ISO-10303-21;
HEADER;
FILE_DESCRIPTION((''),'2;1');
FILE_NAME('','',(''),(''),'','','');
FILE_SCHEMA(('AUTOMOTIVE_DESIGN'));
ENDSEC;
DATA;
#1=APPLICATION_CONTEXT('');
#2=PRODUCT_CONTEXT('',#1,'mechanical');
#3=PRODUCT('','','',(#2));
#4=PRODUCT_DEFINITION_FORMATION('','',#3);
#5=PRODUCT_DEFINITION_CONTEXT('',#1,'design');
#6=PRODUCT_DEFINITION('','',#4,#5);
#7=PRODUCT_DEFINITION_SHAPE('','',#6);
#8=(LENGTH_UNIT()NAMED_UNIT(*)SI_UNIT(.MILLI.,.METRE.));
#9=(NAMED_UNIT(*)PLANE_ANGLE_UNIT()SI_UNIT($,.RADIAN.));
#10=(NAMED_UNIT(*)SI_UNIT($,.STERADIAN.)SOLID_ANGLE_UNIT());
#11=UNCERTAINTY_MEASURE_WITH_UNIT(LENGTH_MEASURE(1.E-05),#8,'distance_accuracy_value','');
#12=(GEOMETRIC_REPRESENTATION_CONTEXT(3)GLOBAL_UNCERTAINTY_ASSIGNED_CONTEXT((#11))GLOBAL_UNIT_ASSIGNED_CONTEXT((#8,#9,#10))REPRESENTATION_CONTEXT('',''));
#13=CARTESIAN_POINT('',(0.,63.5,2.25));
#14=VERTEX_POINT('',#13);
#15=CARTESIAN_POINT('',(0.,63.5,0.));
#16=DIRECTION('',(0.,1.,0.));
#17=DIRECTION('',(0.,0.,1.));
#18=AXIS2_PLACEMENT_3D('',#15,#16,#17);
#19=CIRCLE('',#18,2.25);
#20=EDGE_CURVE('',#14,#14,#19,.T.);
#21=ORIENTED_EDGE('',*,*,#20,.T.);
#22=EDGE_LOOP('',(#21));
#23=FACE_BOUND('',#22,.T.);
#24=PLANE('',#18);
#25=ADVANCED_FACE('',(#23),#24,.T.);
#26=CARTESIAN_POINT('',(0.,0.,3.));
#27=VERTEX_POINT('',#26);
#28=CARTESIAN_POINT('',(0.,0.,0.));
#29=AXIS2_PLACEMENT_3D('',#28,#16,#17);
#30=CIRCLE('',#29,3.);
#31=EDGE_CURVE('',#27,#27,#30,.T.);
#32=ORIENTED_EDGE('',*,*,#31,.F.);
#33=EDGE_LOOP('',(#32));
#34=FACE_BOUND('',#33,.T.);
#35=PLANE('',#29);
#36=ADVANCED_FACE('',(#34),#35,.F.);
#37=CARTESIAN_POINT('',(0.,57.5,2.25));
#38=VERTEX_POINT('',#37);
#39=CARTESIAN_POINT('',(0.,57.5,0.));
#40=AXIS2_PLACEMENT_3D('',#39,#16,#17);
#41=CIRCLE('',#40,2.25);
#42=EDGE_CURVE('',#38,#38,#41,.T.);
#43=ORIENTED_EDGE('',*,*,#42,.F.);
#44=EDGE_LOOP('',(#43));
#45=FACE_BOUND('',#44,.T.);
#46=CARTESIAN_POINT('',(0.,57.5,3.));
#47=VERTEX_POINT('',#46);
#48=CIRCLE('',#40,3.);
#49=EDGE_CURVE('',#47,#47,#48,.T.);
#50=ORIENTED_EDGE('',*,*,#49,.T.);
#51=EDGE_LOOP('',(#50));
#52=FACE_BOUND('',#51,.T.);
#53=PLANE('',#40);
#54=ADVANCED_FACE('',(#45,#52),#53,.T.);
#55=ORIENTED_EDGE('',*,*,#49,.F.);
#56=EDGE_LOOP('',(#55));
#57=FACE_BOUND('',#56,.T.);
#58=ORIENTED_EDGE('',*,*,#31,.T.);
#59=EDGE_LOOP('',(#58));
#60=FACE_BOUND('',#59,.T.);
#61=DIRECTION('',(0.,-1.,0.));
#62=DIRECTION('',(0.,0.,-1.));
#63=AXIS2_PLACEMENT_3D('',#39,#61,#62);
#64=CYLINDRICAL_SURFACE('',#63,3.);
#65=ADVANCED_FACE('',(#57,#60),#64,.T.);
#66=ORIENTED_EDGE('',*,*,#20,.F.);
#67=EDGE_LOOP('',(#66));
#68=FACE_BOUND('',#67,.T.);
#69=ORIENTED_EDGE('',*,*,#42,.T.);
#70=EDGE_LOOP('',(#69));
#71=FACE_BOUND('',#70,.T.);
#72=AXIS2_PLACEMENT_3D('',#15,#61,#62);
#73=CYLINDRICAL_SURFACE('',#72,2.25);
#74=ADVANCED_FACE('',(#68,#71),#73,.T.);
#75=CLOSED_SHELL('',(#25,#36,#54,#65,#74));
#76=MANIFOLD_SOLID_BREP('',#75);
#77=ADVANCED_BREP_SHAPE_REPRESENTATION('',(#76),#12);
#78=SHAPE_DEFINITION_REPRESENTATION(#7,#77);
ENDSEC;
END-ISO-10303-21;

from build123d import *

# Parameters (mm, degrees)
SKETCH1_R           = 3
BOSS_EXTRUDE1_DEPTH = 57.5
SKETCH2_R           = 2.25
BOSS_EXTRUDE2_DEPTH = 6


with BuildPart() as part:
    # Sketch1 → Boss-Extrude1 (new body)
    with BuildSketch(Plane(origin=(0, 0, 0), x_dir=(1, 0, 0), z_dir=(0, 1, 0))):
        with Locations(Location((0, 0, 0), (0, 0, 270))):
            Circle(SKETCH1_R)
    extrude(amount=BOSS_EXTRUDE1_DEPTH)

    # Sketch2 → Boss-Extrude2 (add)
    with BuildSketch(Plane(origin=(0, 57.5, 0), x_dir=(1, 0, 0), z_dir=(0, 1, 0))):
        with Locations(Location((0, 0, 0), (0, 0, 270))):
            Circle(SKETCH2_R)
    extrude(amount=BOSS_EXTRUDE2_DEPTH)


solid = part.part
